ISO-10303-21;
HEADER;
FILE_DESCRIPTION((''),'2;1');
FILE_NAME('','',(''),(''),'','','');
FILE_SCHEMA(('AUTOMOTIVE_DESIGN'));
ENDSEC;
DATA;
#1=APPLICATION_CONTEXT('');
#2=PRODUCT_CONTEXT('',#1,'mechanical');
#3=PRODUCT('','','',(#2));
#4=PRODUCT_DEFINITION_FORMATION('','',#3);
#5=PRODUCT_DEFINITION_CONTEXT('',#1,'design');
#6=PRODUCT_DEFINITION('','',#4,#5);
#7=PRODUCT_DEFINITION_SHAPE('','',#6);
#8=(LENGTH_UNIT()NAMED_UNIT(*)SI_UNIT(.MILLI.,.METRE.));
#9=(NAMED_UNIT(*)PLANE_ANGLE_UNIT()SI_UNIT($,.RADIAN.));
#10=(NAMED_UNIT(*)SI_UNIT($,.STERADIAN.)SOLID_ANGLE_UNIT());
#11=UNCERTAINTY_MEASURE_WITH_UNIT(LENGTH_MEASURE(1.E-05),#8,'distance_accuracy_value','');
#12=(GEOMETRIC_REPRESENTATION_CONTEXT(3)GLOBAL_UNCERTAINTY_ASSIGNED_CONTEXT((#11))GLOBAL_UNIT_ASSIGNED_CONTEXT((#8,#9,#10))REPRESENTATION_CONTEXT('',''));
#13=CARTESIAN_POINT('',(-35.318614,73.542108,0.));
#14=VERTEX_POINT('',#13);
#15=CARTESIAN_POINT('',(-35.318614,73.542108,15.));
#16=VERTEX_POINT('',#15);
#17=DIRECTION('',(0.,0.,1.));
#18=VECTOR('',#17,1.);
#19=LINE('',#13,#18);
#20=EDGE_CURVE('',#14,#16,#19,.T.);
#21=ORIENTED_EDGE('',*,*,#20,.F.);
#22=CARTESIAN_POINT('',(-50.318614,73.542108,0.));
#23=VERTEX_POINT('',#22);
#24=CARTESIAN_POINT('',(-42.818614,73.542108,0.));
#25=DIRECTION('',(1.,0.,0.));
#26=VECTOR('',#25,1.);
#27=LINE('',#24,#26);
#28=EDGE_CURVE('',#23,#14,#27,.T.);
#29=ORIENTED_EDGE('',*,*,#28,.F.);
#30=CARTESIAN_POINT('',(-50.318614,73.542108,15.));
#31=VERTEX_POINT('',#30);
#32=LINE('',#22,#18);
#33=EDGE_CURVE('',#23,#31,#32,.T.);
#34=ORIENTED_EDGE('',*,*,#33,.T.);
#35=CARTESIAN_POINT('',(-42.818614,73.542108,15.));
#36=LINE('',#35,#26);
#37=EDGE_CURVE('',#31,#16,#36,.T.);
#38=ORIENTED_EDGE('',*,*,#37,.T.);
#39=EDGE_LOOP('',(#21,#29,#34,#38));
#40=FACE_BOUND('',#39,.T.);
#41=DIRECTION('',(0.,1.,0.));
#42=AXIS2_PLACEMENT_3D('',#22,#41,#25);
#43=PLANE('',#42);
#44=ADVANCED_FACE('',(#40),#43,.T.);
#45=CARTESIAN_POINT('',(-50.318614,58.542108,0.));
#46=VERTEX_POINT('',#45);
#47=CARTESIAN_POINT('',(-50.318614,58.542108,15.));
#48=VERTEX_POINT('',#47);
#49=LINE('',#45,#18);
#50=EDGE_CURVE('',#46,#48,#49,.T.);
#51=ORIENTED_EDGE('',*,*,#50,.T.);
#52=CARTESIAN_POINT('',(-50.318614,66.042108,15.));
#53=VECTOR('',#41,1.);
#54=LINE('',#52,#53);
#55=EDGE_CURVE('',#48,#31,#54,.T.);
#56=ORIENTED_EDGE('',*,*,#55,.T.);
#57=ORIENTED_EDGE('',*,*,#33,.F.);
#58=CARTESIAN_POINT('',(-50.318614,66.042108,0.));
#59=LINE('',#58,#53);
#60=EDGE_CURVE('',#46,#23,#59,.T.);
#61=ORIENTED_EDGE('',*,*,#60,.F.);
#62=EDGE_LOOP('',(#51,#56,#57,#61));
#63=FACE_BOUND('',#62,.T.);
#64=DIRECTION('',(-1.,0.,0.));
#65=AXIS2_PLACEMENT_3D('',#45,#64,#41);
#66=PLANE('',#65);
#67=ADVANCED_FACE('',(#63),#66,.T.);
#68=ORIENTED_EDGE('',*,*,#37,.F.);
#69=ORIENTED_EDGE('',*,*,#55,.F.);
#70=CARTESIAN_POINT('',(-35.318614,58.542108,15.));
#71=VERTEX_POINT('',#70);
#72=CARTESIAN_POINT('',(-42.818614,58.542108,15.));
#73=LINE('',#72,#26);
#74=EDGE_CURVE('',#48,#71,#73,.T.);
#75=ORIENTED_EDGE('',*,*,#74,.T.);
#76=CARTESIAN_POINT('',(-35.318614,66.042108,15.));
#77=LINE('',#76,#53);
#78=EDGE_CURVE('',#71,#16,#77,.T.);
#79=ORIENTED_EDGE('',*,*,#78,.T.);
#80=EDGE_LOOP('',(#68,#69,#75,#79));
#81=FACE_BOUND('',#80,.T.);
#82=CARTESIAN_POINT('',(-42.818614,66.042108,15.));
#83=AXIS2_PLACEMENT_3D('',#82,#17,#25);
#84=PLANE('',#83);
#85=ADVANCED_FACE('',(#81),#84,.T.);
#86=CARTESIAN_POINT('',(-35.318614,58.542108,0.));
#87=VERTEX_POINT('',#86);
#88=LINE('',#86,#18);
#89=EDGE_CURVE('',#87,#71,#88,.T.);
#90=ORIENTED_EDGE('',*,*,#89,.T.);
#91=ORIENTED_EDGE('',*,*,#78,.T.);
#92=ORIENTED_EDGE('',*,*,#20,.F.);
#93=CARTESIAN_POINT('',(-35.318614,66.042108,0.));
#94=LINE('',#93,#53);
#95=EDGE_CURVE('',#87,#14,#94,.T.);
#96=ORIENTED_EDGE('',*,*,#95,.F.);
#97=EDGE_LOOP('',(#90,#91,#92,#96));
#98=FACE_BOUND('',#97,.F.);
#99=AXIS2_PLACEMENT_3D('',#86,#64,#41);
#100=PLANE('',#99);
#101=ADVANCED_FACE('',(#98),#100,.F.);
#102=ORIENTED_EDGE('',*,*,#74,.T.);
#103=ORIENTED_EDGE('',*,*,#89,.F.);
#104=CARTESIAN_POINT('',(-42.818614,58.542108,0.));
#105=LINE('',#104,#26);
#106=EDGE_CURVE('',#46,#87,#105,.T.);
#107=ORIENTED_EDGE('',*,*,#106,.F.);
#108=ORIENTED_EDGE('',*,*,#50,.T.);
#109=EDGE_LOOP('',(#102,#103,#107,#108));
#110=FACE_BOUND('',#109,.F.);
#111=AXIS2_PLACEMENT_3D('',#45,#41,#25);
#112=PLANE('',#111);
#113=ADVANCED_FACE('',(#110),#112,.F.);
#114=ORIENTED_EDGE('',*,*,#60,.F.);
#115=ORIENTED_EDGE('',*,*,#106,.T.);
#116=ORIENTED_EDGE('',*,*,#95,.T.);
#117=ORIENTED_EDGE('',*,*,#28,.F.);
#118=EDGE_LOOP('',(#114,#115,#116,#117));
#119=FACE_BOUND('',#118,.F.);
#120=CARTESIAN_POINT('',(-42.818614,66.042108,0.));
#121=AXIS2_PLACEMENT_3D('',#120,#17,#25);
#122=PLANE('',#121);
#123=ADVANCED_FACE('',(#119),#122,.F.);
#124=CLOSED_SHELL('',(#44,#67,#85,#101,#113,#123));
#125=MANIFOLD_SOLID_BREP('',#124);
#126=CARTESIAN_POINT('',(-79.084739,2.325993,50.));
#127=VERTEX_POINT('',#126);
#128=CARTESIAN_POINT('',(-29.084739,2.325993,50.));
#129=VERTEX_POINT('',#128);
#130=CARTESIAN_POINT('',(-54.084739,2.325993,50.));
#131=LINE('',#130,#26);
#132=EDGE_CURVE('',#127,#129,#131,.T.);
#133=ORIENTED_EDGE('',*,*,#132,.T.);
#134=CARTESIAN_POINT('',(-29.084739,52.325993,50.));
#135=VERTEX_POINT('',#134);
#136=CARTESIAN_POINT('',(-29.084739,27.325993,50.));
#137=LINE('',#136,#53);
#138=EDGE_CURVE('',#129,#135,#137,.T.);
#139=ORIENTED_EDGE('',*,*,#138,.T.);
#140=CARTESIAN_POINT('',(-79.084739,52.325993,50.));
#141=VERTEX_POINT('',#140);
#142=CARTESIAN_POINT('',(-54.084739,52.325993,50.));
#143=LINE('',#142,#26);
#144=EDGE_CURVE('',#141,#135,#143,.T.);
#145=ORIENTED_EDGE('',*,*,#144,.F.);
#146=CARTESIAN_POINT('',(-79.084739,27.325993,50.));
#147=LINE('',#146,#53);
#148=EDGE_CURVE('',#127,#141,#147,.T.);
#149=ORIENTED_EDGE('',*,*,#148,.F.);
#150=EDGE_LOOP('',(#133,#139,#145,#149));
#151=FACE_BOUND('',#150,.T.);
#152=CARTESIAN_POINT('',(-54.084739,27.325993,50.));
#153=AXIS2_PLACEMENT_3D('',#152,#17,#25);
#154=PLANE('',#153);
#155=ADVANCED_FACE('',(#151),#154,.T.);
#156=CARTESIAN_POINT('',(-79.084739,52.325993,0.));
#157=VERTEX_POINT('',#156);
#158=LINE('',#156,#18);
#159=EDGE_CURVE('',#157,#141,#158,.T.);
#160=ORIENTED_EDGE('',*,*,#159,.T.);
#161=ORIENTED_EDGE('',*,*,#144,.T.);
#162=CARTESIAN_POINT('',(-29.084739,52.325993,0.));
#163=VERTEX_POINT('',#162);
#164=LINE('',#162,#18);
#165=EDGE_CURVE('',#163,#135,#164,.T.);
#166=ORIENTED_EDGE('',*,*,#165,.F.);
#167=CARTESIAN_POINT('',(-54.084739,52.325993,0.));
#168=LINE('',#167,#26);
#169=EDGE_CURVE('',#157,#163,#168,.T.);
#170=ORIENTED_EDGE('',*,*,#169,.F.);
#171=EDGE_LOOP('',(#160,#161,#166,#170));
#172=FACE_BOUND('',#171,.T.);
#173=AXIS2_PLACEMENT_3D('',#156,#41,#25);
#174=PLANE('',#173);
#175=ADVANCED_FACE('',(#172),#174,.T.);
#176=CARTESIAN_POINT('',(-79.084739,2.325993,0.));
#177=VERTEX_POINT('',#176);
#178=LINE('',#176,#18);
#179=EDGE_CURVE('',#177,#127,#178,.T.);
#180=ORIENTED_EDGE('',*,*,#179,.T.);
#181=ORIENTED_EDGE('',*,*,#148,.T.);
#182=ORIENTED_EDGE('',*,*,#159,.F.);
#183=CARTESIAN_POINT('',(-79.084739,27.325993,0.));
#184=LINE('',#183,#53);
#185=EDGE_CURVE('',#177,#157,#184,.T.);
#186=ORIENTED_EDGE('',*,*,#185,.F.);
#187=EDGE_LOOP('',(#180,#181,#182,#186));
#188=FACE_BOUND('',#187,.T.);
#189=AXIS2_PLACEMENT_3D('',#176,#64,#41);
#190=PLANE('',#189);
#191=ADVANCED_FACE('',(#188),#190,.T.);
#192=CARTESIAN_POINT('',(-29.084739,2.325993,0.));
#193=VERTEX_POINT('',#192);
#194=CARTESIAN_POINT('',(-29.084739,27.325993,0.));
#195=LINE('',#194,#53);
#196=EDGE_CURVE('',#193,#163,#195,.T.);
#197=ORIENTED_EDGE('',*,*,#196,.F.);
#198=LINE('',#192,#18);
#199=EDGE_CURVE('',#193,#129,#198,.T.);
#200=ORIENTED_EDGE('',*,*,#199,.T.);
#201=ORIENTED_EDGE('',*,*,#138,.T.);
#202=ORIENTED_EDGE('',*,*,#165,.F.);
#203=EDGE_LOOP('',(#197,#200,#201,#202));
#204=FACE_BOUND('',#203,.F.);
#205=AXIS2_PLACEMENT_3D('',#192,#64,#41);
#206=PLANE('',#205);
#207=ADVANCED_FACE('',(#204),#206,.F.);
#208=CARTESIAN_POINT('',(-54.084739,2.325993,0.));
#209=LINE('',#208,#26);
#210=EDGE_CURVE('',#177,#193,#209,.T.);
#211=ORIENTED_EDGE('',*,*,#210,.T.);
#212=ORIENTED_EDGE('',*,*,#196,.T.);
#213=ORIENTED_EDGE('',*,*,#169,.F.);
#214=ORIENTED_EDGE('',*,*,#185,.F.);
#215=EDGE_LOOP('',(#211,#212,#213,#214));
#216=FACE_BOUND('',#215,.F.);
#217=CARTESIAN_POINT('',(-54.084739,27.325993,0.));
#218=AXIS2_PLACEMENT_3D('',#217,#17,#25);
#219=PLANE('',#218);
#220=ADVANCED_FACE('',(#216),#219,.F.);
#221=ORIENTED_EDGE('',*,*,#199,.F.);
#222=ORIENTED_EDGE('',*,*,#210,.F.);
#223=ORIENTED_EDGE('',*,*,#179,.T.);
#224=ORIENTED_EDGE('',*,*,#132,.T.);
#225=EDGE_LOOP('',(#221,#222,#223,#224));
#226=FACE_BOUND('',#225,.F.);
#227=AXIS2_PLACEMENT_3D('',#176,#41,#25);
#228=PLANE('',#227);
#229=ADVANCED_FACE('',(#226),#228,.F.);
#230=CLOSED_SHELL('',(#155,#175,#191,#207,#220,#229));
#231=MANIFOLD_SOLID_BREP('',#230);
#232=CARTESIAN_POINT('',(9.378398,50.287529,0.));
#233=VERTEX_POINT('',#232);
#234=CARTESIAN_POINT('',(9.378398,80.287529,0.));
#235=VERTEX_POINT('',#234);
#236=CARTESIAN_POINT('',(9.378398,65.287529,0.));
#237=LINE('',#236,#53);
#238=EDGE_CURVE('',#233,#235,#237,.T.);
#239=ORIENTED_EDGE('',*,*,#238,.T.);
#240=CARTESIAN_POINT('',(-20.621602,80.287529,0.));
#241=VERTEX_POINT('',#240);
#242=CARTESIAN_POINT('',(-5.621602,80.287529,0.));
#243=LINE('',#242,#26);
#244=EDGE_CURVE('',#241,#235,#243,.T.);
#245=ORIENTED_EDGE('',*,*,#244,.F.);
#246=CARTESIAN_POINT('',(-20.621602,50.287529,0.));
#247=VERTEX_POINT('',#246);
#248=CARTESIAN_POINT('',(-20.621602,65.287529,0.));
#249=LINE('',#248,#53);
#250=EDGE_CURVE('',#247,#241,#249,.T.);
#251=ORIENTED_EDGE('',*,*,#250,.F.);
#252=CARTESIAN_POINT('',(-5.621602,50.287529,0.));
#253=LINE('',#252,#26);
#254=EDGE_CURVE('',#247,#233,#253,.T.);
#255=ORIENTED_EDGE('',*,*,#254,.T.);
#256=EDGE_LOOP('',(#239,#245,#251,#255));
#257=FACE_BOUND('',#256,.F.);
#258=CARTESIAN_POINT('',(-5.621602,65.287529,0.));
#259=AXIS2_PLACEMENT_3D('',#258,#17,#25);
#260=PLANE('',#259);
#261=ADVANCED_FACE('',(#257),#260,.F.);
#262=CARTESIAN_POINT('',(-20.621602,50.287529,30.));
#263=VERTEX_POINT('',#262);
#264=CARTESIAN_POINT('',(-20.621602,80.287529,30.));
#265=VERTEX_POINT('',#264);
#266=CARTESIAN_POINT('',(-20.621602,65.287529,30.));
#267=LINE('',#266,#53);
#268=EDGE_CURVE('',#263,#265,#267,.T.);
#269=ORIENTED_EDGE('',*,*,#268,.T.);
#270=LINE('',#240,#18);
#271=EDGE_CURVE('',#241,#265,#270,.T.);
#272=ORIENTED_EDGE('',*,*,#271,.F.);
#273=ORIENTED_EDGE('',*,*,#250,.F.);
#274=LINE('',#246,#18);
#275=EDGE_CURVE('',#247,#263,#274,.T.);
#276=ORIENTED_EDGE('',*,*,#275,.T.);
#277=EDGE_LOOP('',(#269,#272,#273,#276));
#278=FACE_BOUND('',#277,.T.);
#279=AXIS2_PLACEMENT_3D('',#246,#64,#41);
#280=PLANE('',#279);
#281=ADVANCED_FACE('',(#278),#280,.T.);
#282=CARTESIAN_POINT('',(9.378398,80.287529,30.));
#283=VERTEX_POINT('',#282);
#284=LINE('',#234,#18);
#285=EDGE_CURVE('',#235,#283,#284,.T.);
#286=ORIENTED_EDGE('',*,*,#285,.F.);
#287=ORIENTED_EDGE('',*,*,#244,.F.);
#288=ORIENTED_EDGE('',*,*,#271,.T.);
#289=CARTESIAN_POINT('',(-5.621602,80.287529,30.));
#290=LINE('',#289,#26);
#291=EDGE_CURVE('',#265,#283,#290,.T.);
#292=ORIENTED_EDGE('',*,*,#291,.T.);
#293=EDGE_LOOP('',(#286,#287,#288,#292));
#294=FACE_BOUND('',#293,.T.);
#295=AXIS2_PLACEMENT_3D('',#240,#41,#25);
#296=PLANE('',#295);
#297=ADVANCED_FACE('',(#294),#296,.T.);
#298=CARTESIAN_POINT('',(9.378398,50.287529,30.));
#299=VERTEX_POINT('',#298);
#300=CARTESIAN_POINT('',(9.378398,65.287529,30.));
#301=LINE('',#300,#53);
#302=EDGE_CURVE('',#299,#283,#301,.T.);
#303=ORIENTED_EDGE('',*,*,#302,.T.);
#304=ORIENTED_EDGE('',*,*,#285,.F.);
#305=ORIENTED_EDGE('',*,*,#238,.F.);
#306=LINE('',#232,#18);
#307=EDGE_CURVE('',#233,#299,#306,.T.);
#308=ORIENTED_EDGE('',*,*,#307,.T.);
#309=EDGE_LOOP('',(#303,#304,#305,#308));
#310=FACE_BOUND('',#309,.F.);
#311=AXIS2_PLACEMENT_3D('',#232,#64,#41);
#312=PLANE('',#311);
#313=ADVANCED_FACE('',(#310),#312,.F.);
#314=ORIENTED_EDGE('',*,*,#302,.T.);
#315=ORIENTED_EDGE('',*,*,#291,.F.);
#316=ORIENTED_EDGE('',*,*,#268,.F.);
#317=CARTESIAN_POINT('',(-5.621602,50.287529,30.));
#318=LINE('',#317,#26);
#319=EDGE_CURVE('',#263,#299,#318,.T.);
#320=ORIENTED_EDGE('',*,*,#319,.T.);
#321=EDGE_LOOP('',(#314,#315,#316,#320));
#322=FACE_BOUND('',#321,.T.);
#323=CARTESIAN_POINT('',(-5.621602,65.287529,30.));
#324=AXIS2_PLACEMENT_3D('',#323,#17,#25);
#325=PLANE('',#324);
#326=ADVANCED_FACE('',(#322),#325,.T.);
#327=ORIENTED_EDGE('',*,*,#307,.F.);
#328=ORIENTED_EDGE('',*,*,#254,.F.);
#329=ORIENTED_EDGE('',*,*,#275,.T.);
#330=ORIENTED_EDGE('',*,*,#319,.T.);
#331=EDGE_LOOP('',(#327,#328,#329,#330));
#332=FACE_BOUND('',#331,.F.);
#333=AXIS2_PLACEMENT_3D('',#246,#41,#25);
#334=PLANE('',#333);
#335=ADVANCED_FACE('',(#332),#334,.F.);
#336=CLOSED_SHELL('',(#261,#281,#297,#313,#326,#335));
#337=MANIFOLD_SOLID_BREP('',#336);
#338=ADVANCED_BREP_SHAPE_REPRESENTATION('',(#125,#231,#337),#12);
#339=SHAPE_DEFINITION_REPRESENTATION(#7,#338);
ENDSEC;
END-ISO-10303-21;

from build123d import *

# Parameters (mm, degrees)
F3_W     = 15
F3_H     = 15
F4_DEPTH = 15
F3_W_2   = 50
F3_H_2   = 50
F5_DEPTH = 50
F3_W_3   = 30
F3_H_3   = 30
F6_DEPTH = 30


with BuildPart() as f4:
    # F3 (on Top) → F4 (new body)
    with BuildSketch(Plane.XY):
        with Locations((-42.8186136484, 66.0421079397)):
            Rectangle(F3_W, F3_H)
    extrude(amount=F4_DEPTH)


with BuildPart() as f5:
    # F3 (on Top) → F5 (new body)
    with BuildSketch(Plane.XY):
        with Locations((-54.084739089, 27.3259932641)):
            Rectangle(F3_W_2, F3_H_2)
    extrude(amount=F5_DEPTH)


with BuildPart() as f6:
    # F3 (on Top) → F6 (new body)
    with BuildSketch(Plane.XY):
        with Locations((-5.6216021748, 65.2875288862)):
            Rectangle(F3_W_3, F3_H_3)
    extrude(amount=F6_DEPTH)


solid = Compound([f4.part, f5.part, f6.part])
